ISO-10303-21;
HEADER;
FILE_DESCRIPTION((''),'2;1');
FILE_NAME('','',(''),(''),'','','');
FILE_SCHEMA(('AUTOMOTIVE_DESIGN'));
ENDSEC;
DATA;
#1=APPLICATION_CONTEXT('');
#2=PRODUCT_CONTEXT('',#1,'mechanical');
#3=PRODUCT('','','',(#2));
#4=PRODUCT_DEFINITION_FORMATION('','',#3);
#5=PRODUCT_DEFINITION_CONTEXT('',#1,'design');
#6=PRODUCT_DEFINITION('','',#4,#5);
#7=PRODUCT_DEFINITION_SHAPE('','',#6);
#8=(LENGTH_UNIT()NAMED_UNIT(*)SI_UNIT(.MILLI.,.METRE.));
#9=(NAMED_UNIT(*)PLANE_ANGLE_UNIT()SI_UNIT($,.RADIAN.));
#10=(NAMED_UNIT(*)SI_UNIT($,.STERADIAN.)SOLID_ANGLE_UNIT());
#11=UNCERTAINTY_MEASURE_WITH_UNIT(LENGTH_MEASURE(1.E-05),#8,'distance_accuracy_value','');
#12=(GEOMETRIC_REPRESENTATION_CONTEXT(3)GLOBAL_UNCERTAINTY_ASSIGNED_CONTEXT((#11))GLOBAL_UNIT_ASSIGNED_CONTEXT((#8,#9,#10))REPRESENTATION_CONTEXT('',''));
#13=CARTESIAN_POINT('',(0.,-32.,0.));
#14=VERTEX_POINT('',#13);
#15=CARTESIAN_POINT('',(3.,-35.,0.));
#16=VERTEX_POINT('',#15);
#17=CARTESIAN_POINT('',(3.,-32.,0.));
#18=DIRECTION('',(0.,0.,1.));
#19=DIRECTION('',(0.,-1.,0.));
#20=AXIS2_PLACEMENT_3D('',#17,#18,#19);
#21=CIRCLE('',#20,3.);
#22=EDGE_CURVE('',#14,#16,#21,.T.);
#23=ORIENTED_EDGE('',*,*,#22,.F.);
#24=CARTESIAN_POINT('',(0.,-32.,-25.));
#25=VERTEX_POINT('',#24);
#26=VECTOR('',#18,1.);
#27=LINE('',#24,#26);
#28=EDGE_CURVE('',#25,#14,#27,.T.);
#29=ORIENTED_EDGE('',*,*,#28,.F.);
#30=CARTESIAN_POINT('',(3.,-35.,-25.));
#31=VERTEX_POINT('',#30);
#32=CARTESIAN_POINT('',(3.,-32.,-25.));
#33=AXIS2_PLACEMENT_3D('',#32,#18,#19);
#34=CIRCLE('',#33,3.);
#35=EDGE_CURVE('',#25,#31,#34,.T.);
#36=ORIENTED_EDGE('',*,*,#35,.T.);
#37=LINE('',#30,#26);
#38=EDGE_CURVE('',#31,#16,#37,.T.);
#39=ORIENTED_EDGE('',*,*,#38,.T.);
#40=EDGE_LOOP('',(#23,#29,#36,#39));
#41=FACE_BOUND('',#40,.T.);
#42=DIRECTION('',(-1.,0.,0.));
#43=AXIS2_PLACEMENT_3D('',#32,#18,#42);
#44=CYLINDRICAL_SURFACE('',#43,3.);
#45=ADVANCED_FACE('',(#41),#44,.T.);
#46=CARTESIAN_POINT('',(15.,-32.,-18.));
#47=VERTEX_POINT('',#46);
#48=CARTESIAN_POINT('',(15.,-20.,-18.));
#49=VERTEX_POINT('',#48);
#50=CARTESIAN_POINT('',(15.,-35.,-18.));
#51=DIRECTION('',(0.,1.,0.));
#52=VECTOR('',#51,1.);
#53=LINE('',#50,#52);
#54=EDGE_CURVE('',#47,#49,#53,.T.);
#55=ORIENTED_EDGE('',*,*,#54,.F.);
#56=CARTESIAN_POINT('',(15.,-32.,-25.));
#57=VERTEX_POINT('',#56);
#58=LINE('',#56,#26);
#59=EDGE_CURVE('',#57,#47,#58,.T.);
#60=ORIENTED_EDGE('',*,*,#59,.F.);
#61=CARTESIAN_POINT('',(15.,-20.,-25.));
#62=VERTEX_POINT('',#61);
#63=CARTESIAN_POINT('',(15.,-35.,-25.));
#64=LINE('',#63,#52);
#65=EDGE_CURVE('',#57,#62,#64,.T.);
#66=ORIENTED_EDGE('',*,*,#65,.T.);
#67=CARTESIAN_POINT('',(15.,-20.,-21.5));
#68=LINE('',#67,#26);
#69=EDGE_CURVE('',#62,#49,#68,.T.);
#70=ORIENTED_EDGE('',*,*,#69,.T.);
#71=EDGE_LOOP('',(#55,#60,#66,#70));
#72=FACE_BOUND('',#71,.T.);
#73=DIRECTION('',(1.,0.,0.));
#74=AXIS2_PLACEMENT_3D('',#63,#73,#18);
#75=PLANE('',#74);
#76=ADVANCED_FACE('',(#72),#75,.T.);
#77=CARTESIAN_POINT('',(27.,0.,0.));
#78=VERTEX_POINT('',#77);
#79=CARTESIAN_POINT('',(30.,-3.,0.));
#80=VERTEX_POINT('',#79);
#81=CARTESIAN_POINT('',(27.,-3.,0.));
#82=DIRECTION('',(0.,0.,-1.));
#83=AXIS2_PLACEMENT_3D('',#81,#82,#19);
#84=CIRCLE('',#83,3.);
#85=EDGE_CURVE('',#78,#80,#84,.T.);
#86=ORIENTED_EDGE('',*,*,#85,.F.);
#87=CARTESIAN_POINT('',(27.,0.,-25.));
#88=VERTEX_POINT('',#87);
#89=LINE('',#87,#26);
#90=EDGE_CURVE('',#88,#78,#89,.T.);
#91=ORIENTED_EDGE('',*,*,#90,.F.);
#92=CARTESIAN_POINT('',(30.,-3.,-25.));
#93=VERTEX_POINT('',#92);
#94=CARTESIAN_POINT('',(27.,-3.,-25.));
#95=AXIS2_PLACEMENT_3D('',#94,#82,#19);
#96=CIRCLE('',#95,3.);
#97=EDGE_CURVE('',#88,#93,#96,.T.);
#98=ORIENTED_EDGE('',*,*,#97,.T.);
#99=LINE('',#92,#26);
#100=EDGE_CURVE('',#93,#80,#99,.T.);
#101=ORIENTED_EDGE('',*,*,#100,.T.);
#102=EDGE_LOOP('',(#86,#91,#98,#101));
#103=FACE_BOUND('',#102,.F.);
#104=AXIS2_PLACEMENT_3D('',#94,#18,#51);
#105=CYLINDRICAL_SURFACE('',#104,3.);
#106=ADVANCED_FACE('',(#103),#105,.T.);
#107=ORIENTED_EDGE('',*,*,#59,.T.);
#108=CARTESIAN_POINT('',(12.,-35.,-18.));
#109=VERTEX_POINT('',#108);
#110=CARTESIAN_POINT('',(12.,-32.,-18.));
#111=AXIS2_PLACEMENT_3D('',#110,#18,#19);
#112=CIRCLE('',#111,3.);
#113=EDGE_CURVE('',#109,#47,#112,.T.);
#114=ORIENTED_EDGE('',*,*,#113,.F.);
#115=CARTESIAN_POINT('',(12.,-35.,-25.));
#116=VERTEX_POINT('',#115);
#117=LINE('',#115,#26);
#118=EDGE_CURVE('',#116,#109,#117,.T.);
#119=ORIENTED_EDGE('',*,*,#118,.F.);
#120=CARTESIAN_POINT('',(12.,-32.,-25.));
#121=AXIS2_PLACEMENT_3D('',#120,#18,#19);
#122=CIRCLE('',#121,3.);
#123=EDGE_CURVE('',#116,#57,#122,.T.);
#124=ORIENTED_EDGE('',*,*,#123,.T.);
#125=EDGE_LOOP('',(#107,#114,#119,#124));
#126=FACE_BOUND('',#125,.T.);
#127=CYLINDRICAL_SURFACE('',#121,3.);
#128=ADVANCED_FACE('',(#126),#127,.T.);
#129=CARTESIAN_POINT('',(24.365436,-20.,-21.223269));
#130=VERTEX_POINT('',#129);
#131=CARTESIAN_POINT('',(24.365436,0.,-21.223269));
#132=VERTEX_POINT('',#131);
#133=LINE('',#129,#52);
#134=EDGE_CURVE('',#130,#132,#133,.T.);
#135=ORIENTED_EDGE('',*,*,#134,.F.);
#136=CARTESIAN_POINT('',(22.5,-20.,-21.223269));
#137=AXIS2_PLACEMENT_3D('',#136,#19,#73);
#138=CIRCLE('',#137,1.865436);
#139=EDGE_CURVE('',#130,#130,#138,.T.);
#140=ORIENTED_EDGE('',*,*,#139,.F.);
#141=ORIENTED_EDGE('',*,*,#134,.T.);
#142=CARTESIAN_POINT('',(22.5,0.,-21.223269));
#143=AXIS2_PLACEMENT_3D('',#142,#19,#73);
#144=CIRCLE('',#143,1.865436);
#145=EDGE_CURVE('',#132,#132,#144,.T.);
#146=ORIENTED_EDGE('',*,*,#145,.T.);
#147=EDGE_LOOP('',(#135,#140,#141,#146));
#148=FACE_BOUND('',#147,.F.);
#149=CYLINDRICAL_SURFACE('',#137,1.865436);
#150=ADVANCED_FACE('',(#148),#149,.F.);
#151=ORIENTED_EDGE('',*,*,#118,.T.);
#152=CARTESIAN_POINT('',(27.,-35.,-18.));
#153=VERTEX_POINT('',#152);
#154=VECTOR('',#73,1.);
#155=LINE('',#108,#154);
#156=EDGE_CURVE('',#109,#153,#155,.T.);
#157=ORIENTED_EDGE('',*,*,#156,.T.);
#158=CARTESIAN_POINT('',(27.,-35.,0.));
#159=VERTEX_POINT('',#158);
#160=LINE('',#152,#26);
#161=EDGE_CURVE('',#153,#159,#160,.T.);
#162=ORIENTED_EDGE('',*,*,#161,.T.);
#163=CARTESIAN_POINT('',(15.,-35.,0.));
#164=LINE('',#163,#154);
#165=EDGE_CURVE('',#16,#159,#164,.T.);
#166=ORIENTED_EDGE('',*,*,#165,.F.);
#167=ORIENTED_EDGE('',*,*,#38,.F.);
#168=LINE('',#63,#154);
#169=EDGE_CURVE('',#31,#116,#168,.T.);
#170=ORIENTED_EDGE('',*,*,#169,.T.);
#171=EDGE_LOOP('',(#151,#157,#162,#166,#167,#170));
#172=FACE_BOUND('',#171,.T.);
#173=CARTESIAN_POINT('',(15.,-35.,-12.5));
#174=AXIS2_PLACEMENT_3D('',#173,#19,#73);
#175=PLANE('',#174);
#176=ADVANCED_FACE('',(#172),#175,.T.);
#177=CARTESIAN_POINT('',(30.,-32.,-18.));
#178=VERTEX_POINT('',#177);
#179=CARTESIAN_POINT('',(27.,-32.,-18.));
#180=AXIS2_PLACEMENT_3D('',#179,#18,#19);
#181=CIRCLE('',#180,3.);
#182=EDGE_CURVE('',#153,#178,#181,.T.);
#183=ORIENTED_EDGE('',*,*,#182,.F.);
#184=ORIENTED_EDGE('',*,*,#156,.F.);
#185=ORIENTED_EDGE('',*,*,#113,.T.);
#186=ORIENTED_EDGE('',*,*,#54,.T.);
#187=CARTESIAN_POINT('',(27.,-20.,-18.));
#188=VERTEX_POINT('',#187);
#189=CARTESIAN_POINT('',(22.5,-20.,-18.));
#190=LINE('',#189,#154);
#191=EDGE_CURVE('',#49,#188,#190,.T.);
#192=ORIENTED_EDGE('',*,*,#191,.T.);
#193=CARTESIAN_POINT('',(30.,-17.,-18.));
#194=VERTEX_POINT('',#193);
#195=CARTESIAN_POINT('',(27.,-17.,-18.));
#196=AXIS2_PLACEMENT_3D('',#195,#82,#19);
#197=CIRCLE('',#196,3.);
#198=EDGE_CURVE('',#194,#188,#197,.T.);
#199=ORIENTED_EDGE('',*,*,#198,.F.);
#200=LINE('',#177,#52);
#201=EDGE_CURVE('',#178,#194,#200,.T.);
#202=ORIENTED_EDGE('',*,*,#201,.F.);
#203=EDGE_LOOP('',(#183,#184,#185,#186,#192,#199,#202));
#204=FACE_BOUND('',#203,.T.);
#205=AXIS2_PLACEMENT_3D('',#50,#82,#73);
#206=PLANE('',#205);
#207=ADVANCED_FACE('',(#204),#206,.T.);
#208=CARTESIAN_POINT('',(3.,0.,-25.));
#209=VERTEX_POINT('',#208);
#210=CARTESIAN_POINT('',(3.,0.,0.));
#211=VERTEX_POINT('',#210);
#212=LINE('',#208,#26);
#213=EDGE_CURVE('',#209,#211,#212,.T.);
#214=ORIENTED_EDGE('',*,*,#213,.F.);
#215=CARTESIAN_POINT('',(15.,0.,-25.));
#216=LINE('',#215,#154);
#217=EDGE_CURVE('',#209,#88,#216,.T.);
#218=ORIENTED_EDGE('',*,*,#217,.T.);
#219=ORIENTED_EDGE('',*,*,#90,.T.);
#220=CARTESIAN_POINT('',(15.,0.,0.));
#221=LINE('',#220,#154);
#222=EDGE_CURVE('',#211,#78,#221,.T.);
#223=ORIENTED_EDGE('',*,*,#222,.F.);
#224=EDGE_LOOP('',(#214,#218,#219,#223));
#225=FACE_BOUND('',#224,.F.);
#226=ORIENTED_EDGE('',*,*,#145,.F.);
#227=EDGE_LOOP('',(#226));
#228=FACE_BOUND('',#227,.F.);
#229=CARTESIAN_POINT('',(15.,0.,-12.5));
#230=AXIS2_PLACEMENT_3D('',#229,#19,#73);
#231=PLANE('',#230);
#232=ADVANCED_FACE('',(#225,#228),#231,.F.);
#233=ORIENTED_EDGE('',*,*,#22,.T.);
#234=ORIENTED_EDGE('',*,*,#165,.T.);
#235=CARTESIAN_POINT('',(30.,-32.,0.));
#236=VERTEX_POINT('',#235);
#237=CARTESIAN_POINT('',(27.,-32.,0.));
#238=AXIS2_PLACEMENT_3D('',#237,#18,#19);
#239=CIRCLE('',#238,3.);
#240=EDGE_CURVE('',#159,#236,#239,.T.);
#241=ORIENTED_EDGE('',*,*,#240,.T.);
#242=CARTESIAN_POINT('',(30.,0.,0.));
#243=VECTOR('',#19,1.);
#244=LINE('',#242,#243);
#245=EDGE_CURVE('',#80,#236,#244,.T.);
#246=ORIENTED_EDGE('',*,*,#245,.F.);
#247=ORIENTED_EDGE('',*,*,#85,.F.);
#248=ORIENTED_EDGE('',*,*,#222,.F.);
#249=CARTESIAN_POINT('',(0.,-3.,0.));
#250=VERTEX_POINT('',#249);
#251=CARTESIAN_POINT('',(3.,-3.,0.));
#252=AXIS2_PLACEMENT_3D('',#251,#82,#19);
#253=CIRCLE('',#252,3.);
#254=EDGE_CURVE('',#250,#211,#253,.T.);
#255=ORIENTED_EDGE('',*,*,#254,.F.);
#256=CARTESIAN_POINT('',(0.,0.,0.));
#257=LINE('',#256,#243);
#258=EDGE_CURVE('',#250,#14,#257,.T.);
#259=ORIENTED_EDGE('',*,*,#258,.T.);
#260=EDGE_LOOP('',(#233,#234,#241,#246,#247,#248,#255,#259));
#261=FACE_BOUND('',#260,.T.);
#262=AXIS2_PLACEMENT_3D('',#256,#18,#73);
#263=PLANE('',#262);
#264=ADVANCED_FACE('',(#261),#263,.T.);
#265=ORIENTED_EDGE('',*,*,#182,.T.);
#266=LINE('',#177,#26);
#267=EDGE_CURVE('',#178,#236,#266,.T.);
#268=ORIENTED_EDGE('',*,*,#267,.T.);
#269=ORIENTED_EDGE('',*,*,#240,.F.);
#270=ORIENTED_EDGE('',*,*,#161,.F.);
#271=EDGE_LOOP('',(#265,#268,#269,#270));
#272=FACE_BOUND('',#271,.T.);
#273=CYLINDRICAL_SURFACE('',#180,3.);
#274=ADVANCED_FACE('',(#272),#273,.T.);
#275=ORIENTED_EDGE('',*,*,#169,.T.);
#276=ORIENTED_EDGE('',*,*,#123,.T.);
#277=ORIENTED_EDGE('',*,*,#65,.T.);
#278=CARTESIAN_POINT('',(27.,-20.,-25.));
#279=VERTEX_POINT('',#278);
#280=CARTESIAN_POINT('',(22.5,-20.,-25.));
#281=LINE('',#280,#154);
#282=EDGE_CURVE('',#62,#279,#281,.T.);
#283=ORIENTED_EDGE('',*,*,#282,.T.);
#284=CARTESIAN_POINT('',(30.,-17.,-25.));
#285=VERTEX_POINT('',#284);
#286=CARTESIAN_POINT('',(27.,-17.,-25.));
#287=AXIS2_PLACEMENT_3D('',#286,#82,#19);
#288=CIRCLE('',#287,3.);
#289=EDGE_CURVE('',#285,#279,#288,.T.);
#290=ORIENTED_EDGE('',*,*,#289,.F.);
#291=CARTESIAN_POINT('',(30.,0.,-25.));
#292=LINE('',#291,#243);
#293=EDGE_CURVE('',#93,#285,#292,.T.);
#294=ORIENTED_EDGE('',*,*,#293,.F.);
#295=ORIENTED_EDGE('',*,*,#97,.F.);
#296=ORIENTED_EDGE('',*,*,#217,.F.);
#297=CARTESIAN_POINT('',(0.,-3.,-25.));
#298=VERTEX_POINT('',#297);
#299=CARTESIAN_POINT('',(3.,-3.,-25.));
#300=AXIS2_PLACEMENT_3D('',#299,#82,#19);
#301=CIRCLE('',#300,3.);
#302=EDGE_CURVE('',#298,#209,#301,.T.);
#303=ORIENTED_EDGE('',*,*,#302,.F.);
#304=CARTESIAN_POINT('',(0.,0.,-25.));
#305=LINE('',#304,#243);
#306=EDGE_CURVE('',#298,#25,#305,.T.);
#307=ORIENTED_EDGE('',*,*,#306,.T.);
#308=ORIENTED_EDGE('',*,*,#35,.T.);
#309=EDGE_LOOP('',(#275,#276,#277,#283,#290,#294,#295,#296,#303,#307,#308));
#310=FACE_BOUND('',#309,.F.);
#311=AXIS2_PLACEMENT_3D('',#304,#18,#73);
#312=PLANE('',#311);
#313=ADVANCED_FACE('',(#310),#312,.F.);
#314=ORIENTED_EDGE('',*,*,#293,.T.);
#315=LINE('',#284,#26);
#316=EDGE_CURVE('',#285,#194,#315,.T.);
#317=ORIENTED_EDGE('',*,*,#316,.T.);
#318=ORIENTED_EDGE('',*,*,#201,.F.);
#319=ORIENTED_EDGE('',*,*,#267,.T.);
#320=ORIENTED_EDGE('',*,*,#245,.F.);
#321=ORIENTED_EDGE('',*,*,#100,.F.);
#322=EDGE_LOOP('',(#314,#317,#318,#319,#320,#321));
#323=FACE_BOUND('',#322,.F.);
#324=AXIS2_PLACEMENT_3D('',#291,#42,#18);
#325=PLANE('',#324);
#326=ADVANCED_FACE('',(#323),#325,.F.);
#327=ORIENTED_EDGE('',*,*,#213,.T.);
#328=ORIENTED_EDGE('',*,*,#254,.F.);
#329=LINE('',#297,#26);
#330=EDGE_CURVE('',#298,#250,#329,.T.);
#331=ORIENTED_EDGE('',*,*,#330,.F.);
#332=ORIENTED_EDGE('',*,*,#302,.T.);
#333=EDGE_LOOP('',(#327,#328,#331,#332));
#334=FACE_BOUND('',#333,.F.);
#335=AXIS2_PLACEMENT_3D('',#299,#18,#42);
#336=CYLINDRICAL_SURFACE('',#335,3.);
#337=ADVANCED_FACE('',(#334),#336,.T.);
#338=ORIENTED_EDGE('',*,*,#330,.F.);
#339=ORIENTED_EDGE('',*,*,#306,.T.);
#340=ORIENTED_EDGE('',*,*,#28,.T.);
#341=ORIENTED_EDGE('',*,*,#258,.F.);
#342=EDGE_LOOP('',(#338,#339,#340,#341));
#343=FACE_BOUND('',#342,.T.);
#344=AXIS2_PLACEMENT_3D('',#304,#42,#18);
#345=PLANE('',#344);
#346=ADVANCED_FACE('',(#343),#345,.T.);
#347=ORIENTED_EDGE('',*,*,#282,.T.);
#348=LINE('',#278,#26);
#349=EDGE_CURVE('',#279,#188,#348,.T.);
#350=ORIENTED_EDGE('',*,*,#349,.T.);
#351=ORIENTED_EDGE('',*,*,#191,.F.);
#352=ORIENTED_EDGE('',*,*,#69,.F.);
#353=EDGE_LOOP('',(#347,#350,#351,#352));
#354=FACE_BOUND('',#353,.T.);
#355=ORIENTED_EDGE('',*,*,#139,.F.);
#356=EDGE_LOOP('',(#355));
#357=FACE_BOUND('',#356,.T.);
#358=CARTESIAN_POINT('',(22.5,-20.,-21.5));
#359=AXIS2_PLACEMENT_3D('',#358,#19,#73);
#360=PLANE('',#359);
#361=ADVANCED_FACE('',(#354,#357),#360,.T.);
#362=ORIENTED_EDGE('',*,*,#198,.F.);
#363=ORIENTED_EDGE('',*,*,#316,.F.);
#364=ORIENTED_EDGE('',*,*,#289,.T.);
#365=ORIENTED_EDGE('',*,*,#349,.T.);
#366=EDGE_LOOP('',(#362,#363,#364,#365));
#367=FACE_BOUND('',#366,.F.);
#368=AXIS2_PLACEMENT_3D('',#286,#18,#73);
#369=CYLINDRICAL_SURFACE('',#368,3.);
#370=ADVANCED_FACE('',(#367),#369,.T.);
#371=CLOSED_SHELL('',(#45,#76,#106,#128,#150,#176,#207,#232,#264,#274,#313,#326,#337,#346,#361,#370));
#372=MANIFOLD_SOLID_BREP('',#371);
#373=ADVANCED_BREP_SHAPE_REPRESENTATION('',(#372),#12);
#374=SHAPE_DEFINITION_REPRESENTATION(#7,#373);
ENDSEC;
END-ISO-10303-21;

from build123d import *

# Parameters (mm, degrees)
F0_W     = 30
F0_H     = 25
F1_DEPTH = 35
F2_W     = 15
F2_H     = 7
F3_DEPTH = 15
F4_R     = 1.865436
F5_DEPTH = 20.001
F6_R     = 3


with BuildPart() as f1:
    # F0 (on Front) → F1 (new body)
    with BuildSketch(Plane.XZ):
        with Locations((15, -12.5)):
            Rectangle(F0_W, F0_H)
    extrude(amount=F1_DEPTH)

    # F2 (on face) → F3 (cut)
    with BuildSketch(Plane.XZ.offset(35)):
        with Locations((22.5, -21.5)):
            Rectangle(F2_W, F2_H)
    extrude(amount=-F3_DEPTH, mode=Mode.SUBTRACT)

    # F4 (on face) → F5 (cut, through all)
    with BuildSketch(Plane.XZ.offset(20)):
        with Locations((22.5, -21.223269)):
            Circle(F4_R)
    extrude(amount=-F5_DEPTH, mode=Mode.SUBTRACT)

    # F6
    f6_edges = [f1.edges().sort_by_distance(p)[0] for p in [
        (0, -35, -12.5),
        (15, -35, -21.5),
        (30, 0, -12.5),
        (30, -35, -9),
        (30, -20, -21.5),
        (0, 0, -12.5),
    ]]
    fillet(f6_edges, radius=F6_R)


solid = f1.part
